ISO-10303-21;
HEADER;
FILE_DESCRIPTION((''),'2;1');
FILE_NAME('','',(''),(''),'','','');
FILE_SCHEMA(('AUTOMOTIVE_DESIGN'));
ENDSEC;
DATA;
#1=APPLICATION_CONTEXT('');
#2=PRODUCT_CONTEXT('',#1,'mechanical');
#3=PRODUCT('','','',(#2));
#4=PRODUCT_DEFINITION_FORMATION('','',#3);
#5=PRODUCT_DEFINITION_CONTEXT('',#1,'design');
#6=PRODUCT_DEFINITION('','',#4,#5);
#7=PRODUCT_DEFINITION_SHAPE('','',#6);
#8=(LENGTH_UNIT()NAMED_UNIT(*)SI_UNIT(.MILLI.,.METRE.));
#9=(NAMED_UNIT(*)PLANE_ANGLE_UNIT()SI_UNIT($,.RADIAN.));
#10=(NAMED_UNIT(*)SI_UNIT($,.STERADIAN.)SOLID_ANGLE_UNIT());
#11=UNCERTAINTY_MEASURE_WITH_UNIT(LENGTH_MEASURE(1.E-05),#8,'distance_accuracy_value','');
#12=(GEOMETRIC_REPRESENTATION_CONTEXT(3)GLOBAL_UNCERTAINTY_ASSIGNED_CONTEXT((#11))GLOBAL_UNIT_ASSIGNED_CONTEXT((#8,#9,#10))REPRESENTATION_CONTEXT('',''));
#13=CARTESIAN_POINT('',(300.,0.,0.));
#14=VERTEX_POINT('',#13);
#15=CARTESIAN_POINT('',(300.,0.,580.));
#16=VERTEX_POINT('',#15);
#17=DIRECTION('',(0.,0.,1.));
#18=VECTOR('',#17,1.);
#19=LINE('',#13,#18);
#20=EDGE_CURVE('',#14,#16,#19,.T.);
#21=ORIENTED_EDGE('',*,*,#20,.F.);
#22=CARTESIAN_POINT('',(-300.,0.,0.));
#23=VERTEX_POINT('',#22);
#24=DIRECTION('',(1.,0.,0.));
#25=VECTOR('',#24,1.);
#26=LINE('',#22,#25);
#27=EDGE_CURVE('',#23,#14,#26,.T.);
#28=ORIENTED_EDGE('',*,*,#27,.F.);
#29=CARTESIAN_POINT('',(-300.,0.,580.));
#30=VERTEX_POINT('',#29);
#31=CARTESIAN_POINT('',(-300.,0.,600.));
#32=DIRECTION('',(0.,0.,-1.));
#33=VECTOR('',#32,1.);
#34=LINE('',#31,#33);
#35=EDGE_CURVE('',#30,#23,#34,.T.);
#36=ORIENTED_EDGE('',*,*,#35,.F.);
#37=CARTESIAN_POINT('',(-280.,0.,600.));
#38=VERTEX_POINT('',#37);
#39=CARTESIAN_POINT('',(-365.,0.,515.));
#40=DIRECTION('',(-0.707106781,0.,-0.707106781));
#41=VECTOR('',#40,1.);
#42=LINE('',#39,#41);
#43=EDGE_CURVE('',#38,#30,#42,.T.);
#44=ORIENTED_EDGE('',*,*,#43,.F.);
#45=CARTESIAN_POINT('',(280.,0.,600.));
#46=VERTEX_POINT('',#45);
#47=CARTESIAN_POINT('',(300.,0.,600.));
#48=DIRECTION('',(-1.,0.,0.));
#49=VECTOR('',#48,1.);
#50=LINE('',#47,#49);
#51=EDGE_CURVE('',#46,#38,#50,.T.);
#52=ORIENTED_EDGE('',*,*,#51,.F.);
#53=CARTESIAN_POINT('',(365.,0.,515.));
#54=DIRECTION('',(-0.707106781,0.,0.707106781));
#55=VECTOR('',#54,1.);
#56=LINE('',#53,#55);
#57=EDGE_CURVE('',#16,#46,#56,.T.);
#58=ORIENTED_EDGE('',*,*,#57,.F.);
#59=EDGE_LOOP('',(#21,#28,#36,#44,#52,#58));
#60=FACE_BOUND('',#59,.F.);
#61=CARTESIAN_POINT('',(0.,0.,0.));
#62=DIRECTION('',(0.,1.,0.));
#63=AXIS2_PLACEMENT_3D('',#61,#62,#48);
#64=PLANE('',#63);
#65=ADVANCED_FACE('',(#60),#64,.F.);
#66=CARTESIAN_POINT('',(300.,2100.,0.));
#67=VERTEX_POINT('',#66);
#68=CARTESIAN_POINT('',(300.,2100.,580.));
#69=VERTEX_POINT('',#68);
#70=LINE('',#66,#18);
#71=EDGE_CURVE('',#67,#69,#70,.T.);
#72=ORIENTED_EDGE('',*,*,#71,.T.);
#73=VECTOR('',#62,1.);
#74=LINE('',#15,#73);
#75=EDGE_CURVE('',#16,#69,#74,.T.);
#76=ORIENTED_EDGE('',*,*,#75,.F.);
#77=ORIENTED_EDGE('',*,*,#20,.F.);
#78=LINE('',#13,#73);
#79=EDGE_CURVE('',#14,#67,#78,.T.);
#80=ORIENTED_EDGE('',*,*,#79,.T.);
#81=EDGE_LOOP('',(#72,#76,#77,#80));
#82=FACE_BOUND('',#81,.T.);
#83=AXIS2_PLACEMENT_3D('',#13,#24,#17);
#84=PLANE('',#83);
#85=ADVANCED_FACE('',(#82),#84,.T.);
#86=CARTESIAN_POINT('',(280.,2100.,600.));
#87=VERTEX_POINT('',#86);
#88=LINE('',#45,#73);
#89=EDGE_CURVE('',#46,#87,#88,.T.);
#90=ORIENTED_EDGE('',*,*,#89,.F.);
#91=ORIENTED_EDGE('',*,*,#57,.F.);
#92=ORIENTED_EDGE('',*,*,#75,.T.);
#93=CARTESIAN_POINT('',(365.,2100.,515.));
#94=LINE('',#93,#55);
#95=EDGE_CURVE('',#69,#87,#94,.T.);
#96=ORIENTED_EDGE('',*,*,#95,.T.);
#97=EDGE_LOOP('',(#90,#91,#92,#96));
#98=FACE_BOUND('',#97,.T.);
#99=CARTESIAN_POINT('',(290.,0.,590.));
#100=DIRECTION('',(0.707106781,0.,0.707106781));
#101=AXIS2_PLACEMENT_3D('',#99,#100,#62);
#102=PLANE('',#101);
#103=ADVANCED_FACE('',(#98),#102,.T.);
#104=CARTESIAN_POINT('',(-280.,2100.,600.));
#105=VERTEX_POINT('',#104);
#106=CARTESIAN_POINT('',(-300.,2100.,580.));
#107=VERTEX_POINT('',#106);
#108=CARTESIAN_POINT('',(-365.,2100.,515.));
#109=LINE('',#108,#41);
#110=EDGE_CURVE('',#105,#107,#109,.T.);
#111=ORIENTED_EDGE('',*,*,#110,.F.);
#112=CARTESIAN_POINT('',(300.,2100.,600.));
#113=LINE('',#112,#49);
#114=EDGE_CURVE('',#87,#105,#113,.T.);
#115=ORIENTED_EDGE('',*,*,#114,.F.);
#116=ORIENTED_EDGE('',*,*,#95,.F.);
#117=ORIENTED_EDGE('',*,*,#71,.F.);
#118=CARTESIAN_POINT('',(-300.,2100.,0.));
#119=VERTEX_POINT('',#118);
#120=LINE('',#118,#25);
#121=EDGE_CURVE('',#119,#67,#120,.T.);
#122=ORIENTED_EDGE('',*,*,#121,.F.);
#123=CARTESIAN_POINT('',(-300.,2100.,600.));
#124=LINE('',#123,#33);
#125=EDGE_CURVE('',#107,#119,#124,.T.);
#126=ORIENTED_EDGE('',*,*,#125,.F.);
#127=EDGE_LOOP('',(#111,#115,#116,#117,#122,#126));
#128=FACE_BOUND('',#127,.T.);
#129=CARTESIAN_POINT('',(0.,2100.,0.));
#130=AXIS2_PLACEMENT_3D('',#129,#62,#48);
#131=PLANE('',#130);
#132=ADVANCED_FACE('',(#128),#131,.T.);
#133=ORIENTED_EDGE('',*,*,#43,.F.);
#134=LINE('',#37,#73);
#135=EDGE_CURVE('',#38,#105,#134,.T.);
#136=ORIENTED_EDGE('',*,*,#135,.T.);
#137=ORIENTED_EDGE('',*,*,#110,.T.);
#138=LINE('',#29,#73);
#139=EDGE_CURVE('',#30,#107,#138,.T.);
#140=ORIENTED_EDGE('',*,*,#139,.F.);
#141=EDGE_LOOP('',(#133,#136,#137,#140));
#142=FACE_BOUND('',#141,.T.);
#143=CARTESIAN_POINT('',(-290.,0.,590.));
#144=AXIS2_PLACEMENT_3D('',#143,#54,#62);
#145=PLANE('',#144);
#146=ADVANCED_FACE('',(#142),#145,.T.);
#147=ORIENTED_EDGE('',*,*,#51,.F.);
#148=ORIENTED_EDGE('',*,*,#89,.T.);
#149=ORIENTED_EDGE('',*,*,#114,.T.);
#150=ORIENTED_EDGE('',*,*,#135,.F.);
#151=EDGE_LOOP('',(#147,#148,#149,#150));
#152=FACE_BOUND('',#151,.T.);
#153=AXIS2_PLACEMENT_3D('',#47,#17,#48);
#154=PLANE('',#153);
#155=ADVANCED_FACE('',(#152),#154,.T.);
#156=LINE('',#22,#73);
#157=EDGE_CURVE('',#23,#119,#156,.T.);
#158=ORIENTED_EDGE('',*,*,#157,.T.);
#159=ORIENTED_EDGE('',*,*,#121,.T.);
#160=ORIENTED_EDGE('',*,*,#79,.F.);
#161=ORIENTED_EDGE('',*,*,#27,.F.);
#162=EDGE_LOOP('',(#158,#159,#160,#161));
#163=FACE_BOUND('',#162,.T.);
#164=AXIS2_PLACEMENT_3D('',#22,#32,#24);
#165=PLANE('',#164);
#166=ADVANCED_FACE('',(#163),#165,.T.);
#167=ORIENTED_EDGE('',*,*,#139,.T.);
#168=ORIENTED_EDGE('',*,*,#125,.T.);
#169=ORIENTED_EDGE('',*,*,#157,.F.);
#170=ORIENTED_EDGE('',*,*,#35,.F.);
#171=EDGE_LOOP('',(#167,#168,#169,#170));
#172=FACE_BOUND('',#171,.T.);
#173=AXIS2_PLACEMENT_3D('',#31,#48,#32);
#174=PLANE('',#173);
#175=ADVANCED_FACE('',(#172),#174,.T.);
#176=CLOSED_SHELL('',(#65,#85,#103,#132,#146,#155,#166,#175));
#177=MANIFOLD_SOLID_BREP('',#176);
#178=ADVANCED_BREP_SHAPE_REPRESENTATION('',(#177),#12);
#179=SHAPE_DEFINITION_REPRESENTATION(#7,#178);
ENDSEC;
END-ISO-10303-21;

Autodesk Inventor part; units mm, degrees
ref_plane "YZ Plane" through (0, 0, 0) normal (1, 0, 0) x (0, 1, 0)
ref_plane "XZ Plane" through (0, 0, 0) normal (0, 1, 0) x (-1, 0, 0)
ref_plane "XY Plane" through (0, 0, 0) normal (0, 0, 1) x (1, 0, 0)
sketch "Sketch1" plane through (0, 0, 0) normal (0, 1, 0) x (-1, 0, 0)
  line L0 (300, 0) -> (-300, 0)
  line L1 (-300, 0) -> (-300, 600)
  line L2 (-300, 600) -> (300, 600)
  line L3 (300, 600) -> (300, 0)
  point P0 (0, 0)
  point P1 (0, 0)
  dimension "d0" = 600
  dimension "d1" = 600
extrude "Extrusion1" add sketch "Sketch1" along normal blind 2100
chamfer "Chamfer1" distance 20 angle 45 2 edges at (300, 1050, 600) (-300, 1050, 600)
properties part number "Mobile dispensa"
